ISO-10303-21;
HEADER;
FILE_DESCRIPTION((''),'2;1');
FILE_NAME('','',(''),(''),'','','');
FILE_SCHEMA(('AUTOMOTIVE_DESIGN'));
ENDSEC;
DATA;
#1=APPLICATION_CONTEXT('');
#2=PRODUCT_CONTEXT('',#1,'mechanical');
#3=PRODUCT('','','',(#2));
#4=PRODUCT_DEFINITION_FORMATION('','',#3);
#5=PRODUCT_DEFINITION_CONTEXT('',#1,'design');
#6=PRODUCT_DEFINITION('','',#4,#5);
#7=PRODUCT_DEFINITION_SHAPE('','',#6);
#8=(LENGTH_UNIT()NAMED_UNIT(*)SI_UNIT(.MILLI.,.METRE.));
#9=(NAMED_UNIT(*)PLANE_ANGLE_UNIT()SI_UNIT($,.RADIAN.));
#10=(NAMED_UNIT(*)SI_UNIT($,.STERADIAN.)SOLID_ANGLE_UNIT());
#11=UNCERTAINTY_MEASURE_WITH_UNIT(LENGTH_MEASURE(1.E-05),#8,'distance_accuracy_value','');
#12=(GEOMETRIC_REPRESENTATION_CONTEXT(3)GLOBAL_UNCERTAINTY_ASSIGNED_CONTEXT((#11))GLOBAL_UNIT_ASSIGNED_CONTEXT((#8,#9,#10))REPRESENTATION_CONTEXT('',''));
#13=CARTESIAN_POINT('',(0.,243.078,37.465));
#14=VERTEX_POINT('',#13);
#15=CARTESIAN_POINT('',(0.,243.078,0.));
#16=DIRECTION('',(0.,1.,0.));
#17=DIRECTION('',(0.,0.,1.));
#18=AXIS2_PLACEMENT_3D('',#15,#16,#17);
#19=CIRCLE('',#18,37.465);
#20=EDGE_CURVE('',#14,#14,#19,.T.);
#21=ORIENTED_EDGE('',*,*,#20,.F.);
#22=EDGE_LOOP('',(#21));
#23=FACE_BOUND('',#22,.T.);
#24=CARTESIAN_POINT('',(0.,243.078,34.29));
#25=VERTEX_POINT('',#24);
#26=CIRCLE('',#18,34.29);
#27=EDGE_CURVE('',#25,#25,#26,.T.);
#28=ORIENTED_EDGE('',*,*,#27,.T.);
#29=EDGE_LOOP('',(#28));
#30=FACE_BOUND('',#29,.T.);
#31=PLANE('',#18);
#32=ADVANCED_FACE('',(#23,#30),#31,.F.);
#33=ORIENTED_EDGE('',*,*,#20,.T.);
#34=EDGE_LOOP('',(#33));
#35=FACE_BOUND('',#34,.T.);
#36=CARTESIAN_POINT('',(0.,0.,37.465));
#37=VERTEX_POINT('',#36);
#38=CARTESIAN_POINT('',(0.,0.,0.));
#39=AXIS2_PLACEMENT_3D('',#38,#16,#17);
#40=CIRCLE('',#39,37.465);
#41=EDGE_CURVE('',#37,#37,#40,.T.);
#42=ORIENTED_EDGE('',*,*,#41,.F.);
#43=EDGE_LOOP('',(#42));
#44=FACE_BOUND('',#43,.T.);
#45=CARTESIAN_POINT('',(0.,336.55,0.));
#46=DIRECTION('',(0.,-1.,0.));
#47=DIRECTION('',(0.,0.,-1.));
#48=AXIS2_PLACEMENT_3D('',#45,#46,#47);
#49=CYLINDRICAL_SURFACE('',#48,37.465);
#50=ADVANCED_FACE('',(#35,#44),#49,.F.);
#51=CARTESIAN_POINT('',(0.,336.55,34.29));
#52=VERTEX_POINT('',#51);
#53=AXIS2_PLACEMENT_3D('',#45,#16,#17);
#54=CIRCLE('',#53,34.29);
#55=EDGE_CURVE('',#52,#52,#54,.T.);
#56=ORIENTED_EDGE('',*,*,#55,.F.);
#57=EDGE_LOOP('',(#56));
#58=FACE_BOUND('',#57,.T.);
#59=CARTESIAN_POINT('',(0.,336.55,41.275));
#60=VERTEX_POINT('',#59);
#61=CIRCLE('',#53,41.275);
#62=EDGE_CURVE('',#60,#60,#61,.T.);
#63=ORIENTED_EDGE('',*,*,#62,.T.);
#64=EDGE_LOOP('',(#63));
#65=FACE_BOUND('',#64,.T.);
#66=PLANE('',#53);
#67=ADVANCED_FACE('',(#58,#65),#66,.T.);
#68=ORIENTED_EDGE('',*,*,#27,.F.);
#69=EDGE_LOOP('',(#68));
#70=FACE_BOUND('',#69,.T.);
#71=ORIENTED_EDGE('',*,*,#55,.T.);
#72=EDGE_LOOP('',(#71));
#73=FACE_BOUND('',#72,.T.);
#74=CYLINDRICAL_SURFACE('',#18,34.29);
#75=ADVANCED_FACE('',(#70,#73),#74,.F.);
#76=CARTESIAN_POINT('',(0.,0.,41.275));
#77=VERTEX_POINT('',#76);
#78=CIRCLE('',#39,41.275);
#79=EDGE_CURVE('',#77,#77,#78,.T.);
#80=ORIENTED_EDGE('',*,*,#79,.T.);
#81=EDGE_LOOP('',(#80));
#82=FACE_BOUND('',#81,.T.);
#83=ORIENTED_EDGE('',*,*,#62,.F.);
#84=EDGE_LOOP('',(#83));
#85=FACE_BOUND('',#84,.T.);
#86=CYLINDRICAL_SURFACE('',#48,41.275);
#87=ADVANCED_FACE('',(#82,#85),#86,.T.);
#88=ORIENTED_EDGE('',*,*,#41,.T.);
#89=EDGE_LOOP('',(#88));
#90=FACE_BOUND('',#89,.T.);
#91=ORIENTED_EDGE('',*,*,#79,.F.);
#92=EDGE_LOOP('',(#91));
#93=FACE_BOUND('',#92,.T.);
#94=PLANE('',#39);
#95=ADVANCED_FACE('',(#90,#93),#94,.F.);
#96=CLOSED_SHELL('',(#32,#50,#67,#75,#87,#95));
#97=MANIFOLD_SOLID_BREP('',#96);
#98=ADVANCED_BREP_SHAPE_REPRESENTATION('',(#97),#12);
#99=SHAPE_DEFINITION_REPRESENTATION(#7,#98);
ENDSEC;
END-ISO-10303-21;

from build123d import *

# Parameters (mm, degrees)
SKETCH1_R           = 41.275
SKETCH1_R_2         = 37.465
BOSS_EXTRUDE1_DEPTH = 336.55
SKETCH2_R           = 39.661669625
SKETCH2_R_2         = 34.29
BOSS_EXTRUDE2_DEPTH = 93.472


with BuildPart() as part:
    # Sketch1 → Boss-Extrude1 (new body)
    with BuildSketch(Plane(origin=(0, 0, 0), x_dir=(1, 0, 0), z_dir=(0, 1, 0))):
        with Locations(Location((0, 0, 0), (0, 0, 270))):
            Circle(SKETCH1_R)
        with Locations(Location((0, 0, 0), (0, 0, 270))):
            Circle(SKETCH1_R_2, mode=Mode.SUBTRACT)
    extrude(amount=BOSS_EXTRUDE1_DEPTH)

    # Sketch2 → Boss-Extrude2 (add)
    with BuildSketch(Plane(origin=(0, 336.55, 0), x_dir=(1, 0, 0), z_dir=(0, 1, 0))):
        Circle(SKETCH2_R)
        with Locations(Location((0, 0, 0), (0, 0, 270))):
            Circle(SKETCH2_R_2, mode=Mode.SUBTRACT)
    extrude(amount=-BOSS_EXTRUDE2_DEPTH)


solid = part.part
